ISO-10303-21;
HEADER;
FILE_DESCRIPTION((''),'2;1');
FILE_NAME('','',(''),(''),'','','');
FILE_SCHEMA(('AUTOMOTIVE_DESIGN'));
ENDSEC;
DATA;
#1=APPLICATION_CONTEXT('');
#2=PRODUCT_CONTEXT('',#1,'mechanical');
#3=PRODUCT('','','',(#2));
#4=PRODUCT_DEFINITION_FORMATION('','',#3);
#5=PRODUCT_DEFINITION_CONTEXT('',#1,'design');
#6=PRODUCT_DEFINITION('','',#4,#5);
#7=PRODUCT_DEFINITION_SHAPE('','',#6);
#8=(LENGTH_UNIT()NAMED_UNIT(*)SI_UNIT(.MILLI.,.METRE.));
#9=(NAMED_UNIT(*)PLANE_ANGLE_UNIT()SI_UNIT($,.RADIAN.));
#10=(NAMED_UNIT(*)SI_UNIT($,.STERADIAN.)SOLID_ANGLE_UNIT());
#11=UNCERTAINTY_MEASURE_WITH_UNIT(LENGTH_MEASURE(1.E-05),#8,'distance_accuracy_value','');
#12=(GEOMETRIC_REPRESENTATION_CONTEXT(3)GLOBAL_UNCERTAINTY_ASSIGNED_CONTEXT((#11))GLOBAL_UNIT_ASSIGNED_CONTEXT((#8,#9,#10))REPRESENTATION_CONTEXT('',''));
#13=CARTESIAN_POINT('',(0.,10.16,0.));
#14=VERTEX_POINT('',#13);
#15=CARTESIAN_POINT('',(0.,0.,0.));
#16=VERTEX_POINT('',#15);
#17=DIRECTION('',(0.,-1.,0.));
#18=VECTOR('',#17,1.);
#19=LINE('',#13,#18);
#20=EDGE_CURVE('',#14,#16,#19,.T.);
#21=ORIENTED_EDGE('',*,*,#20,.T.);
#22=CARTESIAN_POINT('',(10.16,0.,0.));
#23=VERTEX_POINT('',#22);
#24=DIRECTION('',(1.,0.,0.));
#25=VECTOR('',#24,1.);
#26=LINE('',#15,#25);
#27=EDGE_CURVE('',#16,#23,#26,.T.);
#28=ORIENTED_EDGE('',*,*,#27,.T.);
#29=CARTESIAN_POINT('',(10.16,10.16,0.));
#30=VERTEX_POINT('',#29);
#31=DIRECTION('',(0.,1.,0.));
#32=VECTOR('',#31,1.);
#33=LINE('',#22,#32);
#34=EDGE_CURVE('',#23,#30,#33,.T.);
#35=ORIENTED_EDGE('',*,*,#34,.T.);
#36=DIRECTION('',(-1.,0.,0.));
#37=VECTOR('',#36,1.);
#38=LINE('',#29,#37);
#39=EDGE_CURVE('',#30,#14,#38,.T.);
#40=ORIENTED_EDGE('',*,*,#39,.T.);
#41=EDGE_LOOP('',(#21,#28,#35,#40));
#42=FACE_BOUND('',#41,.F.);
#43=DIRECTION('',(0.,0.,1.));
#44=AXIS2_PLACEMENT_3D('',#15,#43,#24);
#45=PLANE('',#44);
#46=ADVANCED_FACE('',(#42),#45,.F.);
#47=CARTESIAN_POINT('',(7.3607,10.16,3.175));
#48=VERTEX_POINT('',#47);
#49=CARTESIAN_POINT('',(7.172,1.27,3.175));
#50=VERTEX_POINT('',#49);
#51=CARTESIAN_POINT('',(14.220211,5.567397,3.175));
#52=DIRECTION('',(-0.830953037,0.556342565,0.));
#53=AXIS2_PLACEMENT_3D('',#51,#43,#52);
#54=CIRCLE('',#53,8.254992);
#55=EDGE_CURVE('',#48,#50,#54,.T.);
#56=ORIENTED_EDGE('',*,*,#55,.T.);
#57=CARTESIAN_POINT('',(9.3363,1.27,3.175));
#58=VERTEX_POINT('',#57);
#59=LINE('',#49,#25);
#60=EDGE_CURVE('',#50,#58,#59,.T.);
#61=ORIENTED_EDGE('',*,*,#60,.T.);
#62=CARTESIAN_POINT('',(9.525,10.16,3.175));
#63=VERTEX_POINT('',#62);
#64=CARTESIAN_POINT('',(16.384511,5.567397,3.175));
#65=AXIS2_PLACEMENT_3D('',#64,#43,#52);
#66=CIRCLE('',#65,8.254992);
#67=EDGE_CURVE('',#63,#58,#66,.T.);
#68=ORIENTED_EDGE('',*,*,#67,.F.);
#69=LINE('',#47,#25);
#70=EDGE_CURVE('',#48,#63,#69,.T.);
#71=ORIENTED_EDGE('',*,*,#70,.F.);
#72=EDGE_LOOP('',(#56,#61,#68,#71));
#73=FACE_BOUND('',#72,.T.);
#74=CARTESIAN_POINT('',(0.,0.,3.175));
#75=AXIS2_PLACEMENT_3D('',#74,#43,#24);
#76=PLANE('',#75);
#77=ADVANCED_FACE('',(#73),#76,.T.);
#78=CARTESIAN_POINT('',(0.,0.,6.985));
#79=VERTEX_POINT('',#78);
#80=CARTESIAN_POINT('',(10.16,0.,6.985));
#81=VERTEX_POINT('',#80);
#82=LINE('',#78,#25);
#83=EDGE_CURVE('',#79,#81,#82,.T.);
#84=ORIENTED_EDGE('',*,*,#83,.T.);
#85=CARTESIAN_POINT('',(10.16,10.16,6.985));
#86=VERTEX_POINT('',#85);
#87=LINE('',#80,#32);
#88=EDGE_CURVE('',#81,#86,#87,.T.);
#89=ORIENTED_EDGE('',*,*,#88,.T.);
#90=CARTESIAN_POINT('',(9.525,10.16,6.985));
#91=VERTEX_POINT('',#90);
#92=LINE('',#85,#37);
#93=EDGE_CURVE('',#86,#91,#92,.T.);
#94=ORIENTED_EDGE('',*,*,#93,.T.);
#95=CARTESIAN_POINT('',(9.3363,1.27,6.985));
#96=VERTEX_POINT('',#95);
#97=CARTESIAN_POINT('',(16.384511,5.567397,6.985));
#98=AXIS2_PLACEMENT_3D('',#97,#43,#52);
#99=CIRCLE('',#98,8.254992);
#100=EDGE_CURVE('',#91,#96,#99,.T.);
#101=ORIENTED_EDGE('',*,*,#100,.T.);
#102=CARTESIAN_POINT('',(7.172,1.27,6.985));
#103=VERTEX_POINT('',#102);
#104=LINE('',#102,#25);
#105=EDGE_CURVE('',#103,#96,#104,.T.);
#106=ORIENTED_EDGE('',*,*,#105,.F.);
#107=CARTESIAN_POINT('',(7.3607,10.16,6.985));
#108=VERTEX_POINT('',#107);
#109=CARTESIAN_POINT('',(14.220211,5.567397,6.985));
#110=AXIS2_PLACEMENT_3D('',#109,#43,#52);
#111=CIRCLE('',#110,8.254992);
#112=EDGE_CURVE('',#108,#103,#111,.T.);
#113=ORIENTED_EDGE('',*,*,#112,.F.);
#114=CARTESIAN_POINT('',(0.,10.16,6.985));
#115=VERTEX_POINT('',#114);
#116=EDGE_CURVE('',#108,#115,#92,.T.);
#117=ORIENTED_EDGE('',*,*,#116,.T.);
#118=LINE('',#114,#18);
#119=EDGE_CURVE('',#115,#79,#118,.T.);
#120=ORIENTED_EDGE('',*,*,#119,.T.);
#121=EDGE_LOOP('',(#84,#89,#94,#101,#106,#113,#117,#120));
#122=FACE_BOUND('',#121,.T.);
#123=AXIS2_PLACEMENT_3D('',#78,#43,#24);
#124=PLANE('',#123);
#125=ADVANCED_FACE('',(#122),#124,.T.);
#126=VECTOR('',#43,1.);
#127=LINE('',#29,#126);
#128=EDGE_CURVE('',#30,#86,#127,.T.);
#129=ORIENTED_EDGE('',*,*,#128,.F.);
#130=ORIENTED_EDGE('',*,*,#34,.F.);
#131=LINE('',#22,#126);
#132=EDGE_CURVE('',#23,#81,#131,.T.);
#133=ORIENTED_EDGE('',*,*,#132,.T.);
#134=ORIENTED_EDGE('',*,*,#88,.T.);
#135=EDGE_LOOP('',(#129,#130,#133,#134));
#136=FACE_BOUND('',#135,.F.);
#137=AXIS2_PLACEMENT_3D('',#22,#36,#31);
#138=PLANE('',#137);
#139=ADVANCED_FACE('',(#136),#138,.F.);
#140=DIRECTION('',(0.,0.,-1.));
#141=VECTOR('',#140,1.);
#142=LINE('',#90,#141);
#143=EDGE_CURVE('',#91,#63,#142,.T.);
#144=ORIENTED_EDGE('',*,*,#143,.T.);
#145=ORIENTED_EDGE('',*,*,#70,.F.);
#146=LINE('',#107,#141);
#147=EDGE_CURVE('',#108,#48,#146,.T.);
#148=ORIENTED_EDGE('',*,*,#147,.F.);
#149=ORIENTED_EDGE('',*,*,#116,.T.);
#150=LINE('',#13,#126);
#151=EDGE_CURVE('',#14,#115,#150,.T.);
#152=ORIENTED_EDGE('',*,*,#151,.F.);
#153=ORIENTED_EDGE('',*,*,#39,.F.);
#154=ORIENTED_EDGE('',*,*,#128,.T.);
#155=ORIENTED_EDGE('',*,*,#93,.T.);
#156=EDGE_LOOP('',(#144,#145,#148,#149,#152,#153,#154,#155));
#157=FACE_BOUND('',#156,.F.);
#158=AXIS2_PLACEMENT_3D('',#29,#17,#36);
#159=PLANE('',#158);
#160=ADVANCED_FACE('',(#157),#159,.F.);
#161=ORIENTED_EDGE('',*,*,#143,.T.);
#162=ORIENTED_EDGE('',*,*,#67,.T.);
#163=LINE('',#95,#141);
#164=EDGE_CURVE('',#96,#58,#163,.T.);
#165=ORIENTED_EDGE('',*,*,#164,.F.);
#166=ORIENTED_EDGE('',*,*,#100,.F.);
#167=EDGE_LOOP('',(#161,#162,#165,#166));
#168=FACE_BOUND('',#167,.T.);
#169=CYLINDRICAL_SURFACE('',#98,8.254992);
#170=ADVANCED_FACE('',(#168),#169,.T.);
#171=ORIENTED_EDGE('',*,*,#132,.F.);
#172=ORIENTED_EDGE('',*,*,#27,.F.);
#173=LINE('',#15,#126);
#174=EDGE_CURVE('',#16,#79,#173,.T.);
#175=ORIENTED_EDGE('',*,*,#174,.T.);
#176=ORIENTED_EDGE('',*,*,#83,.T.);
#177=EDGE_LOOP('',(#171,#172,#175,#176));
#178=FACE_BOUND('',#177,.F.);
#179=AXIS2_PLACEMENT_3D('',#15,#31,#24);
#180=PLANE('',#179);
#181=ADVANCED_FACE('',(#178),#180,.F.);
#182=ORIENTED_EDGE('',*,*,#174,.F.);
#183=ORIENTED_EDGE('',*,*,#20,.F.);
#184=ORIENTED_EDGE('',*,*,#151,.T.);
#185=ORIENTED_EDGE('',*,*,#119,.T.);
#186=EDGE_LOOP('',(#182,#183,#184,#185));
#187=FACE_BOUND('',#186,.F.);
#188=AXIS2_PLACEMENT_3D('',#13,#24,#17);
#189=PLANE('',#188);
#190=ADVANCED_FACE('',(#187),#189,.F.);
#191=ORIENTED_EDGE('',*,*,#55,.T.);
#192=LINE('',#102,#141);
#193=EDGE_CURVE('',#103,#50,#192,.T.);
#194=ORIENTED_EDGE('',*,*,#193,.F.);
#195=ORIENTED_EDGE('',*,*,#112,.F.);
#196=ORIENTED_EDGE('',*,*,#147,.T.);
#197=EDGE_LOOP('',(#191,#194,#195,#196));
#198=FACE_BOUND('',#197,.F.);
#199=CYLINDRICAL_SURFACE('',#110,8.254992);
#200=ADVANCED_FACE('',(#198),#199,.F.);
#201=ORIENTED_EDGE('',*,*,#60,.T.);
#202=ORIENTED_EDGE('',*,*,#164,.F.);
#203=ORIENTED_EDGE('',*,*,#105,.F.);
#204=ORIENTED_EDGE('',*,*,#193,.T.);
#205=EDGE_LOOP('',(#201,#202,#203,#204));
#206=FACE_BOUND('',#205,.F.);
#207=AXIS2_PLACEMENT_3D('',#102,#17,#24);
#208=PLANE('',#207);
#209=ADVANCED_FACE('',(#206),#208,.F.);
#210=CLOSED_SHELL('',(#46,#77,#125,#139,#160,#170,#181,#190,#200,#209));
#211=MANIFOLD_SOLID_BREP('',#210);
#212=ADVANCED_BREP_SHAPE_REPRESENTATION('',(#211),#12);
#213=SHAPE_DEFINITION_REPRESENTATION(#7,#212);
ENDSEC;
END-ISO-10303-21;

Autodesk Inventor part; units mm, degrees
ref_plane "YZ Plane" through (0, 0, 0) normal (1, 0, 0) x (0, 1, 0)
ref_plane "XZ Plane" through (0, 0, 0) normal (0, 1, 0) x (-1, 0, 0)
ref_plane "XY Plane" through (0, 0, 0) normal (0, 0, 1) x (1, 0, 0)
sketch "Sketch1" plane through (0, 0, 0) normal (0, 0, 1) x (1, 0, 0)
  line L0 (0, 0) -> (10.16, 0)
  line L1 (10.16, 0) -> (10.16, 10.16)
  line L2 (10.16, 10.16) -> (0, 10.16)
  line L3 (0, 10.16) -> (0, 0)
  dimension "d0" = 10.16
  dimension "d1" = 10.16
extrude "Extrusion1" add sketch "Sketch1" along normal blind 6.985
sketch "Sketch2" plane through (0, 0, 6.985) normal (0, 0, 1) x (1, 0, 0)
  line L0 (0, 0) -> (10.16, 0) construction
  line L1 (10.16, 0) -> (10.16, 10.16) construction
  line L2 (10.16, 10.16) -> (0, 10.16) construction
  line L3 (0, 10.16) -> (0, 0) construction
  arc A0 (9.525, 10.16) -> (9.3363, 1.27) centre (16.3845, 5.5674) ccw
  arc A1 (7.3607, 10.16) -> (7.172, 1.27) centre (14.2202, 5.5674) ccw
  line L4 (7.3607, 10.16) -> (9.525, 10.16)
  line L5 (10.16, 10.16) -> (0, 10.16) projected
  line L6 (7.172, 1.27) -> (9.3363, 1.27)
  dimension "d4" = 8.255
  dimension "d5" = 0.635
  dimension "d6" = 1.27
extrude "Extrusion2" cut sketch "Sketch2" against normal blind 3.81
properties part number "limitSwitchTab" material "ABS Plastic"
